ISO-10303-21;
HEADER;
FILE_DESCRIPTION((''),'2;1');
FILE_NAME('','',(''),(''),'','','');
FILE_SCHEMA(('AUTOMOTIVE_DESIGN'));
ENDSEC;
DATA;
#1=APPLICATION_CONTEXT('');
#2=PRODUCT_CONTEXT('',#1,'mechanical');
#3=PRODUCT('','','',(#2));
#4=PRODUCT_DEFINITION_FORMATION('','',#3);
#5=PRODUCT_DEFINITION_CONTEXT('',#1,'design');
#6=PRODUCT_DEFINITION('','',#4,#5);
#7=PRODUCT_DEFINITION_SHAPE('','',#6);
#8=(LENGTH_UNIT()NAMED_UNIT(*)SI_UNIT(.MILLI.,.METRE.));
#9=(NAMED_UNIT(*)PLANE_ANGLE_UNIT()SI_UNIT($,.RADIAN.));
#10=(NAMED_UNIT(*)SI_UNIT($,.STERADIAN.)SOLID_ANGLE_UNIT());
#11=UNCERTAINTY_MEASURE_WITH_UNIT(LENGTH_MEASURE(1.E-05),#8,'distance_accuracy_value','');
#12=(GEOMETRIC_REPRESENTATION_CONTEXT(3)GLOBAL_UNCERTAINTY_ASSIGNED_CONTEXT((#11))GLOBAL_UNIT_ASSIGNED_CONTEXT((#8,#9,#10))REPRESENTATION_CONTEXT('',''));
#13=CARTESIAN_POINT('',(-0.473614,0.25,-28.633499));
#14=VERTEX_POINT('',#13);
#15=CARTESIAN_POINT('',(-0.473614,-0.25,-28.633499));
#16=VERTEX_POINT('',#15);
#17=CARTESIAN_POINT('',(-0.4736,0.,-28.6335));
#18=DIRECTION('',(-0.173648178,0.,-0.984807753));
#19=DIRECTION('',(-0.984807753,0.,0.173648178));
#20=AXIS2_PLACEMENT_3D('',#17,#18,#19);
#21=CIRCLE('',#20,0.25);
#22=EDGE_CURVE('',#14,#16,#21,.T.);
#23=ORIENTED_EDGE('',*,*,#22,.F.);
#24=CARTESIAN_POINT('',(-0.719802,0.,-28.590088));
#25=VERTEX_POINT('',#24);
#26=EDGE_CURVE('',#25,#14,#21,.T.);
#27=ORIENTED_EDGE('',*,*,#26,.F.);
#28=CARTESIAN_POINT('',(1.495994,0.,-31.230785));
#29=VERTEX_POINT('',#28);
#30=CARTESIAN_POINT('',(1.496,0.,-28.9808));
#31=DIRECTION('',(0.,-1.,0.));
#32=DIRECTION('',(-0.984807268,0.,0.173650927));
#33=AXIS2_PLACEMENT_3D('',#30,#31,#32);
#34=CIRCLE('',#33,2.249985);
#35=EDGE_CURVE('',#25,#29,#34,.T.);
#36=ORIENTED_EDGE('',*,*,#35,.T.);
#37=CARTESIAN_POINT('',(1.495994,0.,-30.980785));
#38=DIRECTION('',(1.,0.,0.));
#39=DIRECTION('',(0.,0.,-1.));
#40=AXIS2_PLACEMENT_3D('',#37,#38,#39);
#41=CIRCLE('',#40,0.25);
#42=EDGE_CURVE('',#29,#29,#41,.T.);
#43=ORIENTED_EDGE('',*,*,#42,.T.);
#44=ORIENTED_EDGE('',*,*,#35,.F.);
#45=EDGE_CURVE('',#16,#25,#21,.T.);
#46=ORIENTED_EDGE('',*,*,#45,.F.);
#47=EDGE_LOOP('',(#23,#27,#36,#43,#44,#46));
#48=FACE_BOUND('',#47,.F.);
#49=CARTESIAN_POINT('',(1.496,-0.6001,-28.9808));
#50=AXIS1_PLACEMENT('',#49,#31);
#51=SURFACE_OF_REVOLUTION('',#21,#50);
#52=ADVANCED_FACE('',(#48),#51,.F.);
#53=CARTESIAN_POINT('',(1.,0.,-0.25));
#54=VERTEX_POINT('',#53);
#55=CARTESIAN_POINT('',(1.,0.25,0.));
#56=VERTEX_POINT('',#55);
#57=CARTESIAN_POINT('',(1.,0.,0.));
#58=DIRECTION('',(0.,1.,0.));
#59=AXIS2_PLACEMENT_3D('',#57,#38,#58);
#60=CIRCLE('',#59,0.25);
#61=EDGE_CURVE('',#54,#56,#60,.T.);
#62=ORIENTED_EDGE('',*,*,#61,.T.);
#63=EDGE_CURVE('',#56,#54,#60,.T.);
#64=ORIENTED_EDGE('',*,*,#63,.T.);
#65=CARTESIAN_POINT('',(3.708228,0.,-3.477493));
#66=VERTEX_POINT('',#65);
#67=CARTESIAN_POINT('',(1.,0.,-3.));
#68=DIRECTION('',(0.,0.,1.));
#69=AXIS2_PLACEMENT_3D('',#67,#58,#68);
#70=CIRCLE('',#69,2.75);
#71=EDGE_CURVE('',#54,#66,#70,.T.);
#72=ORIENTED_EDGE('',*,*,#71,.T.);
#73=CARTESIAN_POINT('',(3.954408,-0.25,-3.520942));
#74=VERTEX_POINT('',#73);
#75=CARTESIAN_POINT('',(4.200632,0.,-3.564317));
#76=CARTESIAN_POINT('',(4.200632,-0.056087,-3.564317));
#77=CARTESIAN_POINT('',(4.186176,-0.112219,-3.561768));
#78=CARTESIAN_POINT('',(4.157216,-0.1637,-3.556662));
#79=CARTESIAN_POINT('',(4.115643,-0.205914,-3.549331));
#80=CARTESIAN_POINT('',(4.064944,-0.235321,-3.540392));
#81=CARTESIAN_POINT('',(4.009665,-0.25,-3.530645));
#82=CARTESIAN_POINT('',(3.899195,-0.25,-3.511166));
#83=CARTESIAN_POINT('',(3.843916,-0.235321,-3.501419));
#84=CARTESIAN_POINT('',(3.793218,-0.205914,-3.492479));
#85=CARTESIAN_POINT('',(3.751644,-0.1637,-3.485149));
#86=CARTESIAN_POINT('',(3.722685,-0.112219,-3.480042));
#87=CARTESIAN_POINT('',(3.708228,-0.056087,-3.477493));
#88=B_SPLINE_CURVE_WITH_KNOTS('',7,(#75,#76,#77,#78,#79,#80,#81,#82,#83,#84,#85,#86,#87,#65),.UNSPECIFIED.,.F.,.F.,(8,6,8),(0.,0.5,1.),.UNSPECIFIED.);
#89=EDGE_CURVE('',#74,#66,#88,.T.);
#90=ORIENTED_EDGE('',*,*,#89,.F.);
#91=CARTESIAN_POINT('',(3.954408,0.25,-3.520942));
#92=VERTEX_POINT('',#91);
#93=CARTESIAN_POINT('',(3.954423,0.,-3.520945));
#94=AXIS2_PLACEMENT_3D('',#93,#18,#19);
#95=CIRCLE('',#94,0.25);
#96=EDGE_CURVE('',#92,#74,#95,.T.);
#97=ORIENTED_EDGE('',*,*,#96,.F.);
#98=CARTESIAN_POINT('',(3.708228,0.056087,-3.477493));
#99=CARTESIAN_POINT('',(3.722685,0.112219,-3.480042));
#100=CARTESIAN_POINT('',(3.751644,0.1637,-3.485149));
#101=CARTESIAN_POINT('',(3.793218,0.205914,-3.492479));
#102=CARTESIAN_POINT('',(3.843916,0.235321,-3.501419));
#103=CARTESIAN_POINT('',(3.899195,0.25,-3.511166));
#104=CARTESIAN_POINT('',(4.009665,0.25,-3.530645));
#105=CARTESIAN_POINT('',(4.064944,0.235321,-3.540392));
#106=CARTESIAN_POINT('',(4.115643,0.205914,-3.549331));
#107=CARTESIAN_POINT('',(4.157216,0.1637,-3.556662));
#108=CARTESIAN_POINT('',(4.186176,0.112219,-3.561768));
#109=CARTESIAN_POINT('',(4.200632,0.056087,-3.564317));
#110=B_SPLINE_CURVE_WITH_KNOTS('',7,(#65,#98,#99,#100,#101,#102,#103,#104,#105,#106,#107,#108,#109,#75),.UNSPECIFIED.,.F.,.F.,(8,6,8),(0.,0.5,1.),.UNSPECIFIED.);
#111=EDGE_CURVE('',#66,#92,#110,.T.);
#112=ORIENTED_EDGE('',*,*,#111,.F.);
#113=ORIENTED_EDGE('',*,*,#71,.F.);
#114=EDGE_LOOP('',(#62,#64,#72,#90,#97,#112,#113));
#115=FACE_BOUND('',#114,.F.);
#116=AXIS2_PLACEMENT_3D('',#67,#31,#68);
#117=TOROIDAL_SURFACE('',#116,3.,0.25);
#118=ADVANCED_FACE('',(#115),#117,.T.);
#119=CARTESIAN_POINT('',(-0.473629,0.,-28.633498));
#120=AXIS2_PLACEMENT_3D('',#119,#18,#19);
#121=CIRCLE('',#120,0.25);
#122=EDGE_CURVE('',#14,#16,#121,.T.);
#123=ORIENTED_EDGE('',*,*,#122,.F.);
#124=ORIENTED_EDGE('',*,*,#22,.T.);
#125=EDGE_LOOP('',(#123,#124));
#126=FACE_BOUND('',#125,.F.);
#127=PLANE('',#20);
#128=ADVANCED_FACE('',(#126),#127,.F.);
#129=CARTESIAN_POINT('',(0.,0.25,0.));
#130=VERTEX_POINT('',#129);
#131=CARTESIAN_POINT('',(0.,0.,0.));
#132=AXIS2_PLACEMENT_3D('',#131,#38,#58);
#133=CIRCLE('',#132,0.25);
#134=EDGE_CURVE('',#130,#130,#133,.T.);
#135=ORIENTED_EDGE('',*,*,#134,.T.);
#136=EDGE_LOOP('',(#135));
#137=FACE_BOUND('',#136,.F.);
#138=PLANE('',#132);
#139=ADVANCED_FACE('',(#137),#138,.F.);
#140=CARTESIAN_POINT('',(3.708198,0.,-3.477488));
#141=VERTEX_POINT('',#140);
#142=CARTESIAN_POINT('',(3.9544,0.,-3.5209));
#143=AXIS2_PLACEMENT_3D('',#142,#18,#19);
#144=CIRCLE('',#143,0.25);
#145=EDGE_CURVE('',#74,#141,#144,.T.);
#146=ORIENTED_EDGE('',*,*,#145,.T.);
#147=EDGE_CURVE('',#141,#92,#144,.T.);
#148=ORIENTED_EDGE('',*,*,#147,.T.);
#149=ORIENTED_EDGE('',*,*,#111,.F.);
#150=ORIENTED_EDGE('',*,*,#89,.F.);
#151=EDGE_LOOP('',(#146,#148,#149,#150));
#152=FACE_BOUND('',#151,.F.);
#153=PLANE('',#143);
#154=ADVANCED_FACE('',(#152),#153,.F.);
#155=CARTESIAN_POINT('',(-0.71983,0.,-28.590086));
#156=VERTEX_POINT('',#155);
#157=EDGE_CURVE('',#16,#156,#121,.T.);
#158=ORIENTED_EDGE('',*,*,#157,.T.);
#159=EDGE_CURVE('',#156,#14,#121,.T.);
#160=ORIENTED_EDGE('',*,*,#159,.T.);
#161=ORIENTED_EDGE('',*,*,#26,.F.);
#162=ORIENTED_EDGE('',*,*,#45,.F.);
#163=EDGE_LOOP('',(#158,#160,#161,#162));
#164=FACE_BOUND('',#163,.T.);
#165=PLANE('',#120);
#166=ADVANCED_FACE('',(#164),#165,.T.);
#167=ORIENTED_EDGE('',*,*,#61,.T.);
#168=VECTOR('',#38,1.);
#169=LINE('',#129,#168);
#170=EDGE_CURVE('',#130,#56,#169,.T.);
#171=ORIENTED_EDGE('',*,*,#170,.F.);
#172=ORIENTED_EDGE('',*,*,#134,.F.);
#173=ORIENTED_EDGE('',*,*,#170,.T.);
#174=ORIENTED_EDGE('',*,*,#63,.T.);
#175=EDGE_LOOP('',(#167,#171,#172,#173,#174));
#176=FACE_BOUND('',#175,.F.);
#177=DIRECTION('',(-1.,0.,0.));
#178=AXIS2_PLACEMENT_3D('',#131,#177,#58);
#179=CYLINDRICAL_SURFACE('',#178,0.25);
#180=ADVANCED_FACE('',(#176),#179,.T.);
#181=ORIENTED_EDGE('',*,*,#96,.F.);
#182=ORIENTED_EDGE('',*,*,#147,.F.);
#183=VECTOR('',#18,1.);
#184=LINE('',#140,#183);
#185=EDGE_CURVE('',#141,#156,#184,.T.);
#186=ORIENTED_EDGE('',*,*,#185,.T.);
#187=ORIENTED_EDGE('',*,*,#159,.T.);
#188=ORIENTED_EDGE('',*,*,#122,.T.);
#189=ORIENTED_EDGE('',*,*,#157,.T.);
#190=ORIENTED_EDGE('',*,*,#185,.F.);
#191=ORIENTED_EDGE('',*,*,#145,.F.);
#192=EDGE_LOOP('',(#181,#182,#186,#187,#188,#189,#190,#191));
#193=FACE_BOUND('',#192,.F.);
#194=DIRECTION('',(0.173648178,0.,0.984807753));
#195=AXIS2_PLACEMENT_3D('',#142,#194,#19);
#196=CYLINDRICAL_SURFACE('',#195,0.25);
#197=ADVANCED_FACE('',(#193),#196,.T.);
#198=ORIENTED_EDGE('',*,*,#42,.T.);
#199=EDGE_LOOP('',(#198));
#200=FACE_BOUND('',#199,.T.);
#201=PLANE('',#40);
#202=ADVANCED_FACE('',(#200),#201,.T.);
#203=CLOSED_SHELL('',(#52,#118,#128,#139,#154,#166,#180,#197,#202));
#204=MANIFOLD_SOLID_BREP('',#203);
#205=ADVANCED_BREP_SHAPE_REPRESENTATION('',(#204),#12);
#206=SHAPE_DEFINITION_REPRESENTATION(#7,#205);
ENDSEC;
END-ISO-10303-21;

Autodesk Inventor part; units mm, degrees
ref_plane "YZ Plane" through (0, 0, 0) normal (1, 0, 0) x (0, 1, 0)
ref_plane "XZ Plane" through (0, 0, 0) normal (0, 1, 0) x (-1, 0, 0)
ref_plane "XY Plane" through (0, 0, 0) normal (0, 0, 1) x (1, 0, 0)
sketch "スケッチ1" plane through (0, 0, 0) normal (1, 0, 0) x (0, 1, 0)
  circle A0 centre (0, 0) radius 0.25
  dimension "d0" = 0.5
extrude "押し出し1" add sketch "スケッチ1" along normal blind 1
sketch "スケッチ2" plane through (1, 0, 0) normal (1, 0, 0) x (0, 0, -1)
  circle A0 centre (0, 0) radius 0.25
  line L0 (3, -0.6634) -> (3, 0.6005)
  point P0 (3, 0)
  dimension "d3" = 3
revolve "回転1" add sketch "スケッチ2" angle 100 about axis through (1, -0.6634, -3) along (0, 1, 0)
sketch "スケッチ3" plane through (3.9544, 0, -3.5209) normal (-0.1736, 0, -0.9848) x (-0.9848, 0, 0.1736)
  circle A0 centre (0, 0) radius 0.25 projected
  point P0 (4.5058, 0)
extrude "押し出し2" add sketch "スケッチ3" along normal blind 25.5
sketch "スケッチ4" plane through (-0.4736, 0, -28.6335) normal (-0.1736, 0, -0.9848) x (-0.9848, 0, 0.1736)
  circle A0 centre (0, 0) radius 0.25 projected
  line L0 (-2, -0.6001) -> (-2, 0.5446)
  point P0 (4.5058, 0)
  point P1 (-2, 0)
  dimension "d7" = 2
revolve "回転2" add sketch "スケッチ4" angle 100 about axis through (1.496, -0.6001, -28.9808) along (0, -1, 0)
properties part number "cable"
